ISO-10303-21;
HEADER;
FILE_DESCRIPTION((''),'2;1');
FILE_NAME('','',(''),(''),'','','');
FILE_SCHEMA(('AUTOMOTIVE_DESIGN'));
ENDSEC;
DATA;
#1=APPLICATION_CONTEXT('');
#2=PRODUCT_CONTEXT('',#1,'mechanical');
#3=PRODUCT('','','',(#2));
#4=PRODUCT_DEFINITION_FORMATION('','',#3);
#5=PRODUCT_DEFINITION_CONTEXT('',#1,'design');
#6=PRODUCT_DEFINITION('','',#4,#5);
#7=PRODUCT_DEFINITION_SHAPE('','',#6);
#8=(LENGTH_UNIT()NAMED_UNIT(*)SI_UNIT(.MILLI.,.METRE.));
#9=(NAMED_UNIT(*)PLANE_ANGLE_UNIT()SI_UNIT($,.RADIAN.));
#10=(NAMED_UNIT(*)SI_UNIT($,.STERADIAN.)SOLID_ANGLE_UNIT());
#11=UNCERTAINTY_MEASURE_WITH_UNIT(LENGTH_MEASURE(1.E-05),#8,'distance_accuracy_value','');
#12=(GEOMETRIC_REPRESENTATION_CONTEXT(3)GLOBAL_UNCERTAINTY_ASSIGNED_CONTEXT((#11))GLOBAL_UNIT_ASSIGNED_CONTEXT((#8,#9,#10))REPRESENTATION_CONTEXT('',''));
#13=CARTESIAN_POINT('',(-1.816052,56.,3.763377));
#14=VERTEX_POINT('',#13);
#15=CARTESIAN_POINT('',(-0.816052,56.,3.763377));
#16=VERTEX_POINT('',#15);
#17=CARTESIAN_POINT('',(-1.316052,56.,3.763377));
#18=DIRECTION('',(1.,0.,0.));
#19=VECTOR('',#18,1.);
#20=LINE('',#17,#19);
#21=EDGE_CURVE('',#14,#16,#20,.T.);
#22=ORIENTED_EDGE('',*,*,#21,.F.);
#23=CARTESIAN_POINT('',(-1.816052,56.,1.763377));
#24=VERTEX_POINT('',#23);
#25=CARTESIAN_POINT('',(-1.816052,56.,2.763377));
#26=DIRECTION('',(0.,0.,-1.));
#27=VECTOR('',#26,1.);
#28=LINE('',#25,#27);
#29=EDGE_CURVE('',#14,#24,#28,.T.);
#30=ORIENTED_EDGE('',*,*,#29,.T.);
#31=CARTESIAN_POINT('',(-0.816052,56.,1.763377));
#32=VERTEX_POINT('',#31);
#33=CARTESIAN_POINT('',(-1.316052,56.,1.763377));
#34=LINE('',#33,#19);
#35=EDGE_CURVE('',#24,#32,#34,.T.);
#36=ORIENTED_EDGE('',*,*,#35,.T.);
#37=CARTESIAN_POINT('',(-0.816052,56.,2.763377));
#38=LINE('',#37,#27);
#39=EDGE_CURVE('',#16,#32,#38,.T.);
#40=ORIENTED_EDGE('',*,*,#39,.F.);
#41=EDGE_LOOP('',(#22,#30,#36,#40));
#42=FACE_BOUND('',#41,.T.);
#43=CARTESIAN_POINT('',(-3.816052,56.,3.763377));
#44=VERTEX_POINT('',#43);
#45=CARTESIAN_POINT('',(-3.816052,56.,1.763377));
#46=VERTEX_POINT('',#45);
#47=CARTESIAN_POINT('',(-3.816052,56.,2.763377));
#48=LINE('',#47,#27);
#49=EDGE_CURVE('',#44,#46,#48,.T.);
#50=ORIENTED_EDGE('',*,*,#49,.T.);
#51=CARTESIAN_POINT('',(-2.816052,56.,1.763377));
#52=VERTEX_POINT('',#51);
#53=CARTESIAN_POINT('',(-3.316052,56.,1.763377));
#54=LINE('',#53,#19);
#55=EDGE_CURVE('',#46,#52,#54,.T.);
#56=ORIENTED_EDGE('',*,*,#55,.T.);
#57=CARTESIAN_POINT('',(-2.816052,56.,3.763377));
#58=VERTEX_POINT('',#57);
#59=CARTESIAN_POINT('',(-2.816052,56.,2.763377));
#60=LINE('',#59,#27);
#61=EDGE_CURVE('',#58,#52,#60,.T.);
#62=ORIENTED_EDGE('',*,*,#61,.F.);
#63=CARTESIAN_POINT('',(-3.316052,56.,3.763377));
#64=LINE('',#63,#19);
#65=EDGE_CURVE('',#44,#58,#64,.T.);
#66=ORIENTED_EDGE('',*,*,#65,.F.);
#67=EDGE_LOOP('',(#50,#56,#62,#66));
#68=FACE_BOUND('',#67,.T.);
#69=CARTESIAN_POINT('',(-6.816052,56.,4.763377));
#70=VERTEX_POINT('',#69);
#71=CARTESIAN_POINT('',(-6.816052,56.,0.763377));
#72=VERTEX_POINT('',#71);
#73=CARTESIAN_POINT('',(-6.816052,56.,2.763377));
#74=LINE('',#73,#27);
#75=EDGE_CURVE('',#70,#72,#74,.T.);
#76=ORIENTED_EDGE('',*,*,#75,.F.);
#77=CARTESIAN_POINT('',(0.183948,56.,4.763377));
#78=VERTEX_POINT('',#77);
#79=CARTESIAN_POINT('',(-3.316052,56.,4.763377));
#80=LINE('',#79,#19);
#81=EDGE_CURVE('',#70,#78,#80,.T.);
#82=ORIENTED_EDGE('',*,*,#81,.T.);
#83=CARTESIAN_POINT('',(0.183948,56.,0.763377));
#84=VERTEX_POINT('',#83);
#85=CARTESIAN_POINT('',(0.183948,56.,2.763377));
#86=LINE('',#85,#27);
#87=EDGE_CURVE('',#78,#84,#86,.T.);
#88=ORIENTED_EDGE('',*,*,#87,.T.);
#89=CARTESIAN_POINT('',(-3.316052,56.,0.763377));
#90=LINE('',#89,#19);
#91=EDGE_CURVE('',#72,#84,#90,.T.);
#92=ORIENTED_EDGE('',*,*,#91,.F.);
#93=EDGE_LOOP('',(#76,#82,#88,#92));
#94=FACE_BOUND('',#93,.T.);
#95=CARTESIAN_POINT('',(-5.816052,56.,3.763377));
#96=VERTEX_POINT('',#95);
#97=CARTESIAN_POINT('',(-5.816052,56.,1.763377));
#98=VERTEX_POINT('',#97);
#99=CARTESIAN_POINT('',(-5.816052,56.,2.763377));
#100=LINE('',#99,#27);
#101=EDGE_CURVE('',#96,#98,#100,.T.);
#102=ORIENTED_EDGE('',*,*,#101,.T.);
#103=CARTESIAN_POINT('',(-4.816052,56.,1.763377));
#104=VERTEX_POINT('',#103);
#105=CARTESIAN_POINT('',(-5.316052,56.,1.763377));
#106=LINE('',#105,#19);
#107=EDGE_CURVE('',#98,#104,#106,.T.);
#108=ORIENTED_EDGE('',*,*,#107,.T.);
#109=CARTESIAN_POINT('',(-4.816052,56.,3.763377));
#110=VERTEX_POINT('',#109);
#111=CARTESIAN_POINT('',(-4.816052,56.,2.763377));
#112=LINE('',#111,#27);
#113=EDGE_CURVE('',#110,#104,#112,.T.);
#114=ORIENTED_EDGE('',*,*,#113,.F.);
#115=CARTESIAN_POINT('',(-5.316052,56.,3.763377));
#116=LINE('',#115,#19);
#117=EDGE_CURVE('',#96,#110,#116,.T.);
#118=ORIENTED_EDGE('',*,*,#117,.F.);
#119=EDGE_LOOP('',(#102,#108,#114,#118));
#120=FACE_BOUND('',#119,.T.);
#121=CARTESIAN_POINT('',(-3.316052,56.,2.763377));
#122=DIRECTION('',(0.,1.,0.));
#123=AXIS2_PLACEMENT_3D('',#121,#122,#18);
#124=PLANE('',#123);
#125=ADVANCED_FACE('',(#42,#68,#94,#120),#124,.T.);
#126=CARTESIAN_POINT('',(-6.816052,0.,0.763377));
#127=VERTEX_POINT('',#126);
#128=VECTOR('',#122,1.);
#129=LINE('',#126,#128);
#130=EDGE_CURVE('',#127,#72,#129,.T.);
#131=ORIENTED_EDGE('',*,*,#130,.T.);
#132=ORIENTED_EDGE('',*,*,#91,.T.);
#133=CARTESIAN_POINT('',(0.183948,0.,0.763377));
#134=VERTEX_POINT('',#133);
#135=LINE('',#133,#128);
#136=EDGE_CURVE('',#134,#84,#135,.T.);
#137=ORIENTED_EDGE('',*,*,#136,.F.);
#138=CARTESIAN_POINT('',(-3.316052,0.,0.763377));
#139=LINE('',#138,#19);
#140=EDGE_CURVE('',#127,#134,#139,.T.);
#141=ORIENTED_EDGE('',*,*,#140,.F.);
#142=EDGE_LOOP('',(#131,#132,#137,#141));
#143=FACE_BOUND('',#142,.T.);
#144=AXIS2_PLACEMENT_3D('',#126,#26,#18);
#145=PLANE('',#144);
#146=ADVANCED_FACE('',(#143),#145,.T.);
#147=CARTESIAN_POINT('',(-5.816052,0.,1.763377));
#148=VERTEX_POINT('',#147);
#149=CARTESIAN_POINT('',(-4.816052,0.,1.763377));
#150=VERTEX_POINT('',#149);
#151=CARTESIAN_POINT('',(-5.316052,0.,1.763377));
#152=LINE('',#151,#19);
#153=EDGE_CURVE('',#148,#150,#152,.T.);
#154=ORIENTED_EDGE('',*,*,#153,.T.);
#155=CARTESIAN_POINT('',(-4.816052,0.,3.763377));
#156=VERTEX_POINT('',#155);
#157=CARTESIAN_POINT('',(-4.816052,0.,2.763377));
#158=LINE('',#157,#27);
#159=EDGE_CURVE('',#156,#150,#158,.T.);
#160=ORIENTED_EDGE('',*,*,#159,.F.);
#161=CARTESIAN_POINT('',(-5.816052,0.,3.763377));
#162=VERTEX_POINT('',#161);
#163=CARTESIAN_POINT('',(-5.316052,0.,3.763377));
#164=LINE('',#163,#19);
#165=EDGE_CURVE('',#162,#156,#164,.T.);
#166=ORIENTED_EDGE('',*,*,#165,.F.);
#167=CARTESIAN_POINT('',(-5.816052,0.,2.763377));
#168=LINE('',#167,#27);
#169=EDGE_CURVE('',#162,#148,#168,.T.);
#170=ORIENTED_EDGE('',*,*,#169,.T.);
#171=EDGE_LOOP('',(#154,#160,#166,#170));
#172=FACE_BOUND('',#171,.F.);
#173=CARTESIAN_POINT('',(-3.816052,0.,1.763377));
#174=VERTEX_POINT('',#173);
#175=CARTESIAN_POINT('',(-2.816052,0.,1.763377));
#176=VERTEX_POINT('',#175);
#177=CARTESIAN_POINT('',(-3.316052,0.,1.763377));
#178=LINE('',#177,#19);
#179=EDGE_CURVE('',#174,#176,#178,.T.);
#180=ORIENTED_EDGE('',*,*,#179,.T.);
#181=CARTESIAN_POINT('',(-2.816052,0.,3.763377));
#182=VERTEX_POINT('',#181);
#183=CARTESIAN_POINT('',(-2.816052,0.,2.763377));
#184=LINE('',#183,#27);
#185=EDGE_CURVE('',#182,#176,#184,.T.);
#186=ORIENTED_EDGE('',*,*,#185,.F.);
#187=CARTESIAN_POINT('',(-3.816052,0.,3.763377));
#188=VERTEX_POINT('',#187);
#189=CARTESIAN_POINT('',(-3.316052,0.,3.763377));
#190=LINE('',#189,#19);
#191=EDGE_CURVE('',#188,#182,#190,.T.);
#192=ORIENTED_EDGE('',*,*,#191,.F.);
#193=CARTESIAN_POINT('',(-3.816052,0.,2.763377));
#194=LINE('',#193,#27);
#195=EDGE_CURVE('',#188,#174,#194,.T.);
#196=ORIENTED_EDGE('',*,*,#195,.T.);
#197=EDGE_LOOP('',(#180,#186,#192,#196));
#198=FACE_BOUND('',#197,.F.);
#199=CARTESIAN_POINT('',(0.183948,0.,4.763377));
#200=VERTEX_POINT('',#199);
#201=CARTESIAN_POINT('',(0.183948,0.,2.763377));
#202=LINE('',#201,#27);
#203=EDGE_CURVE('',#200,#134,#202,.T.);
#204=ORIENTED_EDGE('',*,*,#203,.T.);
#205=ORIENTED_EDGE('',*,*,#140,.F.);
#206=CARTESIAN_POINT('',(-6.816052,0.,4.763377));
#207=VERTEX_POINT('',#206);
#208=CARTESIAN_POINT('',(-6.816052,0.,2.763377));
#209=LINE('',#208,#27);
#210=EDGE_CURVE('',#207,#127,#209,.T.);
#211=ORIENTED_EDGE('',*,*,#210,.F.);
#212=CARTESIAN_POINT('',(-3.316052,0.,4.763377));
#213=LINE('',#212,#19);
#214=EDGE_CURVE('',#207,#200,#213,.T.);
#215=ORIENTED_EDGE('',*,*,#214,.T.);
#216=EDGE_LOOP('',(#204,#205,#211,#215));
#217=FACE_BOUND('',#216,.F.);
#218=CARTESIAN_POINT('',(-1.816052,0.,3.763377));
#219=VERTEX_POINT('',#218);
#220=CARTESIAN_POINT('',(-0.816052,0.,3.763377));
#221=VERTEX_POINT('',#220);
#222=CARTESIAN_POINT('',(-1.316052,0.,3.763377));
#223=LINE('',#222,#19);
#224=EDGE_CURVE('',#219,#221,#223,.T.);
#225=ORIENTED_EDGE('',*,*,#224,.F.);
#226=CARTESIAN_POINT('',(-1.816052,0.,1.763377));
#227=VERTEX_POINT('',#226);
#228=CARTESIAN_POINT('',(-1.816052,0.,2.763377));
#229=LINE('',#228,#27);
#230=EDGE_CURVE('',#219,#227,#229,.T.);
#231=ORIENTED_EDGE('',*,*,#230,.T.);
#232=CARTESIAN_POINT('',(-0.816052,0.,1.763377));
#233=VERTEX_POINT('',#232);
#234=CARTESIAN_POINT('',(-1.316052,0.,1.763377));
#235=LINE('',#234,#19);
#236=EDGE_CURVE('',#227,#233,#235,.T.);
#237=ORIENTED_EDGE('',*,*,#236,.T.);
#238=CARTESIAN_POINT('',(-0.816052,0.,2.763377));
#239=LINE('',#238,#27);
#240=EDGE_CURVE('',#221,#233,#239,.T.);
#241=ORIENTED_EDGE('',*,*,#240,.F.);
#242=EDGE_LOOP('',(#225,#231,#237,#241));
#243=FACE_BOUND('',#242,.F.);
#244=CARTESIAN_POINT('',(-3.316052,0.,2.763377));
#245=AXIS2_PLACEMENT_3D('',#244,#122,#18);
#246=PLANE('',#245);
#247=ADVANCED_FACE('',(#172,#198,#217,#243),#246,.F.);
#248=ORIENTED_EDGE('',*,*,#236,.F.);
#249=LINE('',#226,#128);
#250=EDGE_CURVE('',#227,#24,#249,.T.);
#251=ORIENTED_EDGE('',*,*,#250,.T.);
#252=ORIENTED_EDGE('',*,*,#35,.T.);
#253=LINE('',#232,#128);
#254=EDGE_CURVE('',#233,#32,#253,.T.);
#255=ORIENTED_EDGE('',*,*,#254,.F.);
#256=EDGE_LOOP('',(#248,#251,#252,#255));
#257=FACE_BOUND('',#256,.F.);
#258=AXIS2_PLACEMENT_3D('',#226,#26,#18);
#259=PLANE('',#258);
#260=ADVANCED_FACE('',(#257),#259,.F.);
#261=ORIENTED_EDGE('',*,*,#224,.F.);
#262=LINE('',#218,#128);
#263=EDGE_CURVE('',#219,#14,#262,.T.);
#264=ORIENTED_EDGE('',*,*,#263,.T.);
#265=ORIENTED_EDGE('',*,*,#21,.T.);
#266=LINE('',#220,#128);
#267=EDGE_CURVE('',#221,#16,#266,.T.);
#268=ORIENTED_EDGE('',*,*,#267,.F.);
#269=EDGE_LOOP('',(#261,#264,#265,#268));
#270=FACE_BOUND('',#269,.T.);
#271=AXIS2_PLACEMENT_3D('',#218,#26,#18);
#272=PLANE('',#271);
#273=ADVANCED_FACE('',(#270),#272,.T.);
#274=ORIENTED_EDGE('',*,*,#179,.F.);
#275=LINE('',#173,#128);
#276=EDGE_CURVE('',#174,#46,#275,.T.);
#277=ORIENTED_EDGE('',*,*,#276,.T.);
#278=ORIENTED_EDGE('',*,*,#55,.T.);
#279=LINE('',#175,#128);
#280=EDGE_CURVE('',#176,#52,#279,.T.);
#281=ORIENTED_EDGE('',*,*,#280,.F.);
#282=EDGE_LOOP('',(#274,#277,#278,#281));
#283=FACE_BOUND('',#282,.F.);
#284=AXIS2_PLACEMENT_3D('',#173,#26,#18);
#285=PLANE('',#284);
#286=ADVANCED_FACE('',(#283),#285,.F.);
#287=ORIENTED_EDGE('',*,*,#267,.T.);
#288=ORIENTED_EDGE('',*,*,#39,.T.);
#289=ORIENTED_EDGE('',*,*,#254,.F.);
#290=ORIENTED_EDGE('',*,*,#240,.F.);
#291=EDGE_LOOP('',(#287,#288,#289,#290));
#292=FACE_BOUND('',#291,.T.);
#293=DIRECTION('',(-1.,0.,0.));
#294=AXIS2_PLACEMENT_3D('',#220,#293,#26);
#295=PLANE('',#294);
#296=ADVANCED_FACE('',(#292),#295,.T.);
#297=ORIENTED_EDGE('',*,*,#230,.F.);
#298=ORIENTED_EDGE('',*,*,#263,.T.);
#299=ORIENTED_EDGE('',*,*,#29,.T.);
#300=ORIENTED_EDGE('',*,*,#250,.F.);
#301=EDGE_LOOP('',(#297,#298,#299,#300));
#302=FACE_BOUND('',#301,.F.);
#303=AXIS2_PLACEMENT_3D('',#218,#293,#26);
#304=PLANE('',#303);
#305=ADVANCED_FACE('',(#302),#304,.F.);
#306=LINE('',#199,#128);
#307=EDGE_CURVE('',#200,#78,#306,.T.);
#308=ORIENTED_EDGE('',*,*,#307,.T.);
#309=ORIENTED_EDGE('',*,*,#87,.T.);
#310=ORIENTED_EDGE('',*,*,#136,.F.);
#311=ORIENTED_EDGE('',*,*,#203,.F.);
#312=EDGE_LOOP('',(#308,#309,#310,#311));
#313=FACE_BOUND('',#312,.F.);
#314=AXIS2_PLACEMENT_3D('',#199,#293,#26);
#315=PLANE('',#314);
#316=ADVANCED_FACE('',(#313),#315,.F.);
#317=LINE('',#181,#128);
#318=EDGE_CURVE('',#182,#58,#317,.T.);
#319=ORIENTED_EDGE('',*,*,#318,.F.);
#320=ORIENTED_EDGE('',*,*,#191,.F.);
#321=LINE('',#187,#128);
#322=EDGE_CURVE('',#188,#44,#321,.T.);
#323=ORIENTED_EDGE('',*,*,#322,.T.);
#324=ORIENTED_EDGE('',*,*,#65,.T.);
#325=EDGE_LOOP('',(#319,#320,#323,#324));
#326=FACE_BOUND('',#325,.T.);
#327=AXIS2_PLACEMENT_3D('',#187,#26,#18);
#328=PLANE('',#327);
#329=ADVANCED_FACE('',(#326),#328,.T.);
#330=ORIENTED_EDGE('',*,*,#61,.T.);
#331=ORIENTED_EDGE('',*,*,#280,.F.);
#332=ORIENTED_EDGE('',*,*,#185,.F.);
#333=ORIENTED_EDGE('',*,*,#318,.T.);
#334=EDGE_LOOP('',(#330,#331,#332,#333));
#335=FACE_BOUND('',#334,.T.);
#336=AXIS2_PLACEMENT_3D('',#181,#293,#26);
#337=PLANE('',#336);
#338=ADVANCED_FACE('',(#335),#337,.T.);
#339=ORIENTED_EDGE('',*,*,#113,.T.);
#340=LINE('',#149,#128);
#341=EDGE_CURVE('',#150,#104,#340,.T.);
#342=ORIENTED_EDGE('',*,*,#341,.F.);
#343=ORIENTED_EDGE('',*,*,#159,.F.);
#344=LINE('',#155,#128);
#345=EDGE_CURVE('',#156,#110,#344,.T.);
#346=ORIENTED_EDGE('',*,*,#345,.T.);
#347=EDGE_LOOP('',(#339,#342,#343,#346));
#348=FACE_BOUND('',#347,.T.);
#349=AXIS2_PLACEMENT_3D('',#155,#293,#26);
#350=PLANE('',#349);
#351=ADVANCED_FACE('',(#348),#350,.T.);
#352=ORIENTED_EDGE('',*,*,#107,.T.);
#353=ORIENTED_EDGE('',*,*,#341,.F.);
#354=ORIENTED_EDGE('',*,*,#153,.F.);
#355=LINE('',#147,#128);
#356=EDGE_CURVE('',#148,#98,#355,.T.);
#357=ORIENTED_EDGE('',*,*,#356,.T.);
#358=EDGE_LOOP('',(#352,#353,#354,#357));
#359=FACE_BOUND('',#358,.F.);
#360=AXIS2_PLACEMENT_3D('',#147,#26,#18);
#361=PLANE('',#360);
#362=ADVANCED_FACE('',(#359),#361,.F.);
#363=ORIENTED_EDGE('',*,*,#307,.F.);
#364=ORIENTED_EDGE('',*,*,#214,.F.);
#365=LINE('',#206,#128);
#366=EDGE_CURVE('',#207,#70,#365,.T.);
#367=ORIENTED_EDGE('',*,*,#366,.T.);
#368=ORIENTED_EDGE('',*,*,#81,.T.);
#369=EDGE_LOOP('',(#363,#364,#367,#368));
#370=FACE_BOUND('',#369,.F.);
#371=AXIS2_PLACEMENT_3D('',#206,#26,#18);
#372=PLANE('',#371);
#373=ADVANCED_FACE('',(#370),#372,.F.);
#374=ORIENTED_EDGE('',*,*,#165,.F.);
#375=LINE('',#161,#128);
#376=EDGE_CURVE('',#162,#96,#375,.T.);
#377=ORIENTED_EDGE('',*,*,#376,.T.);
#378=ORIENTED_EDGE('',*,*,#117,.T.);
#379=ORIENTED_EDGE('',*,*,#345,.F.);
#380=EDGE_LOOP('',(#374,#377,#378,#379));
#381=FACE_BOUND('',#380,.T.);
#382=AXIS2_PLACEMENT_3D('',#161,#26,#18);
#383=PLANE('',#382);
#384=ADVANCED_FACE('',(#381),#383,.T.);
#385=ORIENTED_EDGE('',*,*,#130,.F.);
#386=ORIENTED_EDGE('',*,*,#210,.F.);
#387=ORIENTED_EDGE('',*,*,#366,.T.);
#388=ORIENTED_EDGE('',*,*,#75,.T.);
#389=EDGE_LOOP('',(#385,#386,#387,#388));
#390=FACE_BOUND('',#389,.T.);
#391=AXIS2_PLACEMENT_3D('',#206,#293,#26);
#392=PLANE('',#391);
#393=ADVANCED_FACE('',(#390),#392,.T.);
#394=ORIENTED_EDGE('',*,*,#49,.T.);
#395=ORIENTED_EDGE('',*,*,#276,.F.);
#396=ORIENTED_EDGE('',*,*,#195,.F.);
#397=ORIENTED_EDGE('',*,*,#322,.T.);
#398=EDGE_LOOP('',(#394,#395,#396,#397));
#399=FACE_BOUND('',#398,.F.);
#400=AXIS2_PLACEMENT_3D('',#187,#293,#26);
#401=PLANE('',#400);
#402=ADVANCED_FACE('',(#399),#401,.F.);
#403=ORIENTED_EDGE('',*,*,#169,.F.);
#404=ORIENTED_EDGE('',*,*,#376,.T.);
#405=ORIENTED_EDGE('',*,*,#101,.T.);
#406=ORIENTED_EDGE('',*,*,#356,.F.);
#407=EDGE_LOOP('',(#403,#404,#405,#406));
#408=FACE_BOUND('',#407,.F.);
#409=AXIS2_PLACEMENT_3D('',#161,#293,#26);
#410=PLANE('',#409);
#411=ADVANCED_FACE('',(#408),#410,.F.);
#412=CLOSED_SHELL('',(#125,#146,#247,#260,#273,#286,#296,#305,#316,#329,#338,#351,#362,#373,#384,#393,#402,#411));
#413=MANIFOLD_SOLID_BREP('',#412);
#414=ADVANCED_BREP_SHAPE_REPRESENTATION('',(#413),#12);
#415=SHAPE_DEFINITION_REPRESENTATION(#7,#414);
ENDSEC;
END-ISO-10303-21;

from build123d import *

# Parameters (mm, degrees)
SKETCH1_W           = 7
SKETCH1_H           = 4
SKETCH1_W_2         = 1
SKETCH1_H_2         = 2
BOSS_EXTRUDE1_DEPTH = 56


with BuildPart() as part:
    # Sketch1 → Boss-Extrude1 (new body)
    with BuildSketch(Plane(origin=(0, 0, 0), x_dir=(1, 0, 0), z_dir=(0, 1, 0))):
        with Locations((-3.316052228, -2.763376857)):
            Rectangle(SKETCH1_W, SKETCH1_H)
        with Locations((-5.316052228, -2.763376857)):
            Rectangle(SKETCH1_W_2, SKETCH1_H_2, mode=Mode.SUBTRACT)
        with Locations((-3.316052228, -2.763376857)):
            Rectangle(SKETCH1_W_2, SKETCH1_H_2, mode=Mode.SUBTRACT)
        with Locations((-1.316052228, -2.763376857)):
            Rectangle(SKETCH1_W_2, SKETCH1_H_2, mode=Mode.SUBTRACT)
    extrude(amount=BOSS_EXTRUDE1_DEPTH)


solid = part.part
